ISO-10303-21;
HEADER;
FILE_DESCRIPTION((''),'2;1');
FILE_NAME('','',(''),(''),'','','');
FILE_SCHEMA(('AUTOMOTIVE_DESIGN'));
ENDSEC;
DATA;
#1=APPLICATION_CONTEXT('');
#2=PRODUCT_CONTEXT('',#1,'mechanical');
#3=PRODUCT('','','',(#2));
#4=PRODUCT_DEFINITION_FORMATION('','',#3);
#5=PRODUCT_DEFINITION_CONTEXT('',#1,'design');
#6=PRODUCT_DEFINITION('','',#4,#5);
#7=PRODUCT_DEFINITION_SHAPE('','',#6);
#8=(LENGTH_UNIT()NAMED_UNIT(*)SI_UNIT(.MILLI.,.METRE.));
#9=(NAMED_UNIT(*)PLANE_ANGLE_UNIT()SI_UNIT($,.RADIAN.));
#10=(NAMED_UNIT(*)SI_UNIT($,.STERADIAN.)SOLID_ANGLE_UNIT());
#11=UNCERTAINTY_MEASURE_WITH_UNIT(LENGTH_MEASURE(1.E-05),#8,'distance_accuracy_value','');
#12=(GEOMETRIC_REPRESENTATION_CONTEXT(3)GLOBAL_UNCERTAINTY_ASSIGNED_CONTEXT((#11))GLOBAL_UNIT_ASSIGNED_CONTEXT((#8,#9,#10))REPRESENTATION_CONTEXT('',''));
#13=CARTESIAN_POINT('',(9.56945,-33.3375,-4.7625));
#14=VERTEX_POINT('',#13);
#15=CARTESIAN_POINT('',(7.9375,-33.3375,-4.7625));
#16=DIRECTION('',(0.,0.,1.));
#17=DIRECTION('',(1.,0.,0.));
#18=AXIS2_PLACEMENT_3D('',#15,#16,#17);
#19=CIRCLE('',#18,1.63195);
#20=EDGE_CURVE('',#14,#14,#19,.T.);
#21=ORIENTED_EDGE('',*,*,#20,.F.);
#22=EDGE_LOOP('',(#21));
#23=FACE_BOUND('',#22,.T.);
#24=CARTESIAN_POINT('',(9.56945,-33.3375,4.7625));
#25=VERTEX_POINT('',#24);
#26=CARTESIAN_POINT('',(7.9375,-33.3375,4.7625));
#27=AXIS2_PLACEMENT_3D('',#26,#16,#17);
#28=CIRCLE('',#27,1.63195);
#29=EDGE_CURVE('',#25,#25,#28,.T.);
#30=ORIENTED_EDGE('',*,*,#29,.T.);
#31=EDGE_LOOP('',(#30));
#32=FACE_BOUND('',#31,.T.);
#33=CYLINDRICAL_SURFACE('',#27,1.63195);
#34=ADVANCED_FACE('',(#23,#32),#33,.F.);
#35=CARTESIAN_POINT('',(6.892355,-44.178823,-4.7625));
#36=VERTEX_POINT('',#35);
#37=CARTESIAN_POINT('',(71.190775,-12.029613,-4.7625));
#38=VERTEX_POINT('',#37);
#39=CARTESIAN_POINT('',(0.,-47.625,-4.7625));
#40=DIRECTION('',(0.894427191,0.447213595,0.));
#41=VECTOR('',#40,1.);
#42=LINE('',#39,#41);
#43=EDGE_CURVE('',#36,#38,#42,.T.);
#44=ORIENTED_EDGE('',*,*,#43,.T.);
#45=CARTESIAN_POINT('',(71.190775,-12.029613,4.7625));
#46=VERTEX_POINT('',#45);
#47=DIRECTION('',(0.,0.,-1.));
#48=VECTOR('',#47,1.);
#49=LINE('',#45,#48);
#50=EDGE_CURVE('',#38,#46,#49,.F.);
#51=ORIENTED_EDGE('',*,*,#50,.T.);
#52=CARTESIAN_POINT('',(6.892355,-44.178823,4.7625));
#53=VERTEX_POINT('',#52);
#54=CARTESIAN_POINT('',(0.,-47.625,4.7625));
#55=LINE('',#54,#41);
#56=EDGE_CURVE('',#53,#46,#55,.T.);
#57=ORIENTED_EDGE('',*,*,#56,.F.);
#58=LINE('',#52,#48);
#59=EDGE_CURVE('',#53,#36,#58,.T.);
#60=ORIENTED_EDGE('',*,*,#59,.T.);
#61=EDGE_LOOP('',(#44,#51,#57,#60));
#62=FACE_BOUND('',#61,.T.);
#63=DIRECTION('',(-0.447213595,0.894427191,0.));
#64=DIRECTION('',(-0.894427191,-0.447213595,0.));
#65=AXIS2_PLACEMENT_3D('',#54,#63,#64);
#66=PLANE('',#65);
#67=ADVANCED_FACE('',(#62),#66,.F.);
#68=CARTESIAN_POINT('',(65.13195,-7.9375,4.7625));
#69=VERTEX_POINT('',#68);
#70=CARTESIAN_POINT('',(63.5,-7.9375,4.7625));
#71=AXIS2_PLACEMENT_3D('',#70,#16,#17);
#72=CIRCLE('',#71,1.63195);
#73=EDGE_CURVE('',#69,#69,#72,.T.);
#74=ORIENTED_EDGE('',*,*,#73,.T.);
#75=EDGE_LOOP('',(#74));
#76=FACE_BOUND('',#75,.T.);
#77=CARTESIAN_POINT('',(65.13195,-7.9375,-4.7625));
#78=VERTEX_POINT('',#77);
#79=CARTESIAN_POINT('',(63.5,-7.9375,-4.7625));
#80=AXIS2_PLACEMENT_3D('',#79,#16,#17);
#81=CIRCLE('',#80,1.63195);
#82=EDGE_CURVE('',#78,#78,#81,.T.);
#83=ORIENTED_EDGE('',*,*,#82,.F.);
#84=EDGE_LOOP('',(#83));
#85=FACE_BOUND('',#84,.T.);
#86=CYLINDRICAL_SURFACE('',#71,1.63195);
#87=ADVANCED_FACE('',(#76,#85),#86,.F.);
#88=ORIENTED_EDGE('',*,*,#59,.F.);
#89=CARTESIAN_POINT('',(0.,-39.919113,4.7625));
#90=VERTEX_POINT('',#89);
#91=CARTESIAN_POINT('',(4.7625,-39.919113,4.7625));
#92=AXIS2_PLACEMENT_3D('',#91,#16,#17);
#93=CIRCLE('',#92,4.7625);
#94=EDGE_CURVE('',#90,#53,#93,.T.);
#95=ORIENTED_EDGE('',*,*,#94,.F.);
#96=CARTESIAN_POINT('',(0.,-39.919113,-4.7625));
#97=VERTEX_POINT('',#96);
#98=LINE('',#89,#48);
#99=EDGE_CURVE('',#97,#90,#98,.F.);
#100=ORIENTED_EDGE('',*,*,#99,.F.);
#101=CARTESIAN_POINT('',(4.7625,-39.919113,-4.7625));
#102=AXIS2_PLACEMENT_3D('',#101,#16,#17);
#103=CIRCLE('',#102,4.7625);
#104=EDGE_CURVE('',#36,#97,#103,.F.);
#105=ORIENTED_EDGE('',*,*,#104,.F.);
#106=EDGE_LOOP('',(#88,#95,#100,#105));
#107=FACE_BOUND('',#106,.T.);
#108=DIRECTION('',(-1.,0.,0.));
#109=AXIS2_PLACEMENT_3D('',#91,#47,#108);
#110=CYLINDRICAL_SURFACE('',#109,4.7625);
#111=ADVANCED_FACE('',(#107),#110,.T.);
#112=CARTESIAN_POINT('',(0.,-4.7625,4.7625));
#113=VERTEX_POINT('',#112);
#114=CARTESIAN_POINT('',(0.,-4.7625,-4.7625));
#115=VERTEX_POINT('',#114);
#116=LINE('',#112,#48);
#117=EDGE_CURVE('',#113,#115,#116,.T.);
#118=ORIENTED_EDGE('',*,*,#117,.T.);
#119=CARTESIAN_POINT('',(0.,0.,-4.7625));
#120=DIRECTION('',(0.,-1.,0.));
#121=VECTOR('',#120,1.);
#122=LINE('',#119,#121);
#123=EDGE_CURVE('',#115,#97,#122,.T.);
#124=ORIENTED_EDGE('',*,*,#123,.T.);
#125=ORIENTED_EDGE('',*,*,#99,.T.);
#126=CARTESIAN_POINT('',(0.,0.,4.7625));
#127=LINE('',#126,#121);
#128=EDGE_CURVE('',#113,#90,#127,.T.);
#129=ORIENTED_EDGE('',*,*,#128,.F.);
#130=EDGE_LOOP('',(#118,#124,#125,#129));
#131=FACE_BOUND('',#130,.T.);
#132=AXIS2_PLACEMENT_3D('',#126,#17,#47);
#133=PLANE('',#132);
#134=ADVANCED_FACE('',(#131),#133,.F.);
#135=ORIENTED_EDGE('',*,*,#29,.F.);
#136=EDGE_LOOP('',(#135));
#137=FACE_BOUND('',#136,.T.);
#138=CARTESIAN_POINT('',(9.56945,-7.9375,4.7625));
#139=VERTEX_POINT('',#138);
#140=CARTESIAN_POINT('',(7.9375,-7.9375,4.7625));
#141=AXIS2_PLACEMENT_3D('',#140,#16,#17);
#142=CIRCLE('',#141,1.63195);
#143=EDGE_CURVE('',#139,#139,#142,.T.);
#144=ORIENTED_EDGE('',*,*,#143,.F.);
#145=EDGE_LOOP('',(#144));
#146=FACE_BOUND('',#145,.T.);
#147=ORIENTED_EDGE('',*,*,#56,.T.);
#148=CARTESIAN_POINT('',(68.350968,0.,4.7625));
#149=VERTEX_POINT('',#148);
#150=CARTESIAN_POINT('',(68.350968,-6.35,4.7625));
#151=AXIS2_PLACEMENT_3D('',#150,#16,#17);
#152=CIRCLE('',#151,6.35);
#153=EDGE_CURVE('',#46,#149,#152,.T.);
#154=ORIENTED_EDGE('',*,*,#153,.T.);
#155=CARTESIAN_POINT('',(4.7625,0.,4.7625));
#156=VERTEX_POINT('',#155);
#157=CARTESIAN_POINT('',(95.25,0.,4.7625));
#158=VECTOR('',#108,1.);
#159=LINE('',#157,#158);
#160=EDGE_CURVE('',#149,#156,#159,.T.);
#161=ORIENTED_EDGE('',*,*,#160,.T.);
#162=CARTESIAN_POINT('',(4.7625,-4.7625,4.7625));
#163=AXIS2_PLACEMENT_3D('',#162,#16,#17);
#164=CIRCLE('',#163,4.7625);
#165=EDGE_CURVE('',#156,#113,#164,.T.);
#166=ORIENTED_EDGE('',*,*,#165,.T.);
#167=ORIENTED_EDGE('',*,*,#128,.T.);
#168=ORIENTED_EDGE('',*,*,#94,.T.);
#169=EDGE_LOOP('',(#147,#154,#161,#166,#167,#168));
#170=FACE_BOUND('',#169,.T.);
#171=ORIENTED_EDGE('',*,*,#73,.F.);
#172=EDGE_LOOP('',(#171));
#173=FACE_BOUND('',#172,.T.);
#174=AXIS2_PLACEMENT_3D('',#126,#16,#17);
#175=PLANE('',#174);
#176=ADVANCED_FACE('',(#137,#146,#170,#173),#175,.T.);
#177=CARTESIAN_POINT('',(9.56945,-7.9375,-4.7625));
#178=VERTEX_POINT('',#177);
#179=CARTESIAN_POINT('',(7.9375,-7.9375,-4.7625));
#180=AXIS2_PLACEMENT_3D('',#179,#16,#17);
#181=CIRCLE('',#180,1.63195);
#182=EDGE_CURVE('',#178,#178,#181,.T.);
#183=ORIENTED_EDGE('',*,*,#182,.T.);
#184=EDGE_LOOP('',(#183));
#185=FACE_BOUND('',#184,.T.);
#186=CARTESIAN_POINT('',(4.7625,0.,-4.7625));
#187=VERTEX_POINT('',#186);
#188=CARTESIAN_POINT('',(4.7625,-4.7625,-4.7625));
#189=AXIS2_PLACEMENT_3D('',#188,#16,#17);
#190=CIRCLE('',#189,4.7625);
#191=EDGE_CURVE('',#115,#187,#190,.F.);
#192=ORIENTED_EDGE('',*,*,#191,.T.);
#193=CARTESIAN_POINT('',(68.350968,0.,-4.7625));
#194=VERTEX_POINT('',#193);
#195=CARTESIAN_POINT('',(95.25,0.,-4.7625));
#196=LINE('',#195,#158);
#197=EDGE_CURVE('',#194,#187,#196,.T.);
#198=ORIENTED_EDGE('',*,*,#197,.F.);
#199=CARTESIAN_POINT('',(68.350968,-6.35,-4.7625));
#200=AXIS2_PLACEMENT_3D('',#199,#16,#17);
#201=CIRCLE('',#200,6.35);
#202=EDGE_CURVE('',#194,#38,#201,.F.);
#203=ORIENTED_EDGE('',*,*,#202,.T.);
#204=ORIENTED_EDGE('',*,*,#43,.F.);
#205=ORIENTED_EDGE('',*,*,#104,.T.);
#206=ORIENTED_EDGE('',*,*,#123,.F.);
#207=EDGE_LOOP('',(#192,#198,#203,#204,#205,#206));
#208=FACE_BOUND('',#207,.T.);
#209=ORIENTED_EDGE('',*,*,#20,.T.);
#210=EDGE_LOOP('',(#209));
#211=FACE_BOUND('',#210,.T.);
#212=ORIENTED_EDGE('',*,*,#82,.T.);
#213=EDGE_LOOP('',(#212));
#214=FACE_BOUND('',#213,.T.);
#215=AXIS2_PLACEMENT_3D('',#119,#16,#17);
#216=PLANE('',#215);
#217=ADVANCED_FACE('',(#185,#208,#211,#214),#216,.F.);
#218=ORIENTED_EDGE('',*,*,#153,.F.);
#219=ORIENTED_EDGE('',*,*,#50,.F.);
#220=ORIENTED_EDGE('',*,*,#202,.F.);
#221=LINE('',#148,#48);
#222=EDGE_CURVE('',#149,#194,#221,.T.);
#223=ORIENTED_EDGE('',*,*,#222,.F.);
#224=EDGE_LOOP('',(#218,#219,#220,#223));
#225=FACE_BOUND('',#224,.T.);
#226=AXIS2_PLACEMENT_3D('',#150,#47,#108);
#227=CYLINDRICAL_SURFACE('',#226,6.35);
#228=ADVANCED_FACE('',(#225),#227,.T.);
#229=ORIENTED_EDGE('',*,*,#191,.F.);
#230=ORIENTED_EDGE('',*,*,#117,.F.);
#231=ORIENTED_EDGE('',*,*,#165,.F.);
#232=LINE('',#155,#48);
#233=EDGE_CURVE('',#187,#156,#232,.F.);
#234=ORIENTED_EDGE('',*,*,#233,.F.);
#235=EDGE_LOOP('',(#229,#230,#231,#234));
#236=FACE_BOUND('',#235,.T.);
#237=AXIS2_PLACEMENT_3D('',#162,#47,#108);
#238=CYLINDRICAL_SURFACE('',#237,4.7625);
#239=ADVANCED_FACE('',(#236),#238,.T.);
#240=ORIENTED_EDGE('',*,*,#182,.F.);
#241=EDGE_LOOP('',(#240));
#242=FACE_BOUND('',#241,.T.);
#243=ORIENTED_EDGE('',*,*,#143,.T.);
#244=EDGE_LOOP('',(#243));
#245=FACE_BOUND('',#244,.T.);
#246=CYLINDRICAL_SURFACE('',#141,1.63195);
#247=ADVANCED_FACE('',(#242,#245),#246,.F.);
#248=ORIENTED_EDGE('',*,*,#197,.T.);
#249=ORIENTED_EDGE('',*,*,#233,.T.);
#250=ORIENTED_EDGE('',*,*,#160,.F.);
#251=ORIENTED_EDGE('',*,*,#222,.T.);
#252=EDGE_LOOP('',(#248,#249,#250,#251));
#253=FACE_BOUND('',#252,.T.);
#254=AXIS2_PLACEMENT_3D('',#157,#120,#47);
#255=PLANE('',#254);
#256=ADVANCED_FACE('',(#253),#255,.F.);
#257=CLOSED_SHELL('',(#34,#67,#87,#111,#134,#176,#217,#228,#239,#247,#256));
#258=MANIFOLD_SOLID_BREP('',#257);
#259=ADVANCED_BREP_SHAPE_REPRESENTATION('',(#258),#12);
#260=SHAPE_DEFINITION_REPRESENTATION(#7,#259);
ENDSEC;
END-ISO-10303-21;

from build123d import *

# Parameters (mm, degrees)
BOSS_EXTRUDE1_DEPTH       = 4.7625
F_4_CLEARANCE_HOLE1_D     = 3.2639
F_4_CLEARANCE_HOLE1_DEPTH = 12.7
F_4_CLEARANCE_HOLE1_TIP   = 0.980574487
FILLET1_R                 = 4.7625
FILLET2_R                 = 6.35


with BuildPart() as part:
    # Sketch1 → Boss-Extrude1 (new, symmetric)
    with BuildSketch(Plane.XY):
        Polygon((0, 0), (0, -47.625), (95.25, 0), align=None)
    extrude(amount=BOSS_EXTRUDE1_DEPTH, both=True)

    # #4 Clearance Hole1
    with Locations(Plane.XY.offset(4.7625)):
        with Locations((7.9375, -7.9375), (63.5, -7.9375), (7.9375, -33.3375)):
            Hole(F_4_CLEARANCE_HOLE1_D / 2, depth=F_4_CLEARANCE_HOLE1_DEPTH)
            with Locations((0, 0, -(F_4_CLEARANCE_HOLE1_DEPTH + F_4_CLEARANCE_HOLE1_TIP / 2))):  # 118° drill point
                Cone(0, F_4_CLEARANCE_HOLE1_D / 2, F_4_CLEARANCE_HOLE1_TIP, mode=Mode.SUBTRACT)

    # Fillet1
    fillet1_edges = [part.edges().sort_by_distance(p)[0] for p in [
        (0, -47.625, 0),
        (0, 0, 0),
    ]]
    fillet(fillet1_edges, radius=FILLET1_R)

    # Fillet2
    fillet2_edges = [part.edges().sort_by_distance(p)[0] for p in [
        (95.25, 0, 0),
    ]]
    fillet(fillet2_edges, radius=FILLET2_R)


solid = part.part
